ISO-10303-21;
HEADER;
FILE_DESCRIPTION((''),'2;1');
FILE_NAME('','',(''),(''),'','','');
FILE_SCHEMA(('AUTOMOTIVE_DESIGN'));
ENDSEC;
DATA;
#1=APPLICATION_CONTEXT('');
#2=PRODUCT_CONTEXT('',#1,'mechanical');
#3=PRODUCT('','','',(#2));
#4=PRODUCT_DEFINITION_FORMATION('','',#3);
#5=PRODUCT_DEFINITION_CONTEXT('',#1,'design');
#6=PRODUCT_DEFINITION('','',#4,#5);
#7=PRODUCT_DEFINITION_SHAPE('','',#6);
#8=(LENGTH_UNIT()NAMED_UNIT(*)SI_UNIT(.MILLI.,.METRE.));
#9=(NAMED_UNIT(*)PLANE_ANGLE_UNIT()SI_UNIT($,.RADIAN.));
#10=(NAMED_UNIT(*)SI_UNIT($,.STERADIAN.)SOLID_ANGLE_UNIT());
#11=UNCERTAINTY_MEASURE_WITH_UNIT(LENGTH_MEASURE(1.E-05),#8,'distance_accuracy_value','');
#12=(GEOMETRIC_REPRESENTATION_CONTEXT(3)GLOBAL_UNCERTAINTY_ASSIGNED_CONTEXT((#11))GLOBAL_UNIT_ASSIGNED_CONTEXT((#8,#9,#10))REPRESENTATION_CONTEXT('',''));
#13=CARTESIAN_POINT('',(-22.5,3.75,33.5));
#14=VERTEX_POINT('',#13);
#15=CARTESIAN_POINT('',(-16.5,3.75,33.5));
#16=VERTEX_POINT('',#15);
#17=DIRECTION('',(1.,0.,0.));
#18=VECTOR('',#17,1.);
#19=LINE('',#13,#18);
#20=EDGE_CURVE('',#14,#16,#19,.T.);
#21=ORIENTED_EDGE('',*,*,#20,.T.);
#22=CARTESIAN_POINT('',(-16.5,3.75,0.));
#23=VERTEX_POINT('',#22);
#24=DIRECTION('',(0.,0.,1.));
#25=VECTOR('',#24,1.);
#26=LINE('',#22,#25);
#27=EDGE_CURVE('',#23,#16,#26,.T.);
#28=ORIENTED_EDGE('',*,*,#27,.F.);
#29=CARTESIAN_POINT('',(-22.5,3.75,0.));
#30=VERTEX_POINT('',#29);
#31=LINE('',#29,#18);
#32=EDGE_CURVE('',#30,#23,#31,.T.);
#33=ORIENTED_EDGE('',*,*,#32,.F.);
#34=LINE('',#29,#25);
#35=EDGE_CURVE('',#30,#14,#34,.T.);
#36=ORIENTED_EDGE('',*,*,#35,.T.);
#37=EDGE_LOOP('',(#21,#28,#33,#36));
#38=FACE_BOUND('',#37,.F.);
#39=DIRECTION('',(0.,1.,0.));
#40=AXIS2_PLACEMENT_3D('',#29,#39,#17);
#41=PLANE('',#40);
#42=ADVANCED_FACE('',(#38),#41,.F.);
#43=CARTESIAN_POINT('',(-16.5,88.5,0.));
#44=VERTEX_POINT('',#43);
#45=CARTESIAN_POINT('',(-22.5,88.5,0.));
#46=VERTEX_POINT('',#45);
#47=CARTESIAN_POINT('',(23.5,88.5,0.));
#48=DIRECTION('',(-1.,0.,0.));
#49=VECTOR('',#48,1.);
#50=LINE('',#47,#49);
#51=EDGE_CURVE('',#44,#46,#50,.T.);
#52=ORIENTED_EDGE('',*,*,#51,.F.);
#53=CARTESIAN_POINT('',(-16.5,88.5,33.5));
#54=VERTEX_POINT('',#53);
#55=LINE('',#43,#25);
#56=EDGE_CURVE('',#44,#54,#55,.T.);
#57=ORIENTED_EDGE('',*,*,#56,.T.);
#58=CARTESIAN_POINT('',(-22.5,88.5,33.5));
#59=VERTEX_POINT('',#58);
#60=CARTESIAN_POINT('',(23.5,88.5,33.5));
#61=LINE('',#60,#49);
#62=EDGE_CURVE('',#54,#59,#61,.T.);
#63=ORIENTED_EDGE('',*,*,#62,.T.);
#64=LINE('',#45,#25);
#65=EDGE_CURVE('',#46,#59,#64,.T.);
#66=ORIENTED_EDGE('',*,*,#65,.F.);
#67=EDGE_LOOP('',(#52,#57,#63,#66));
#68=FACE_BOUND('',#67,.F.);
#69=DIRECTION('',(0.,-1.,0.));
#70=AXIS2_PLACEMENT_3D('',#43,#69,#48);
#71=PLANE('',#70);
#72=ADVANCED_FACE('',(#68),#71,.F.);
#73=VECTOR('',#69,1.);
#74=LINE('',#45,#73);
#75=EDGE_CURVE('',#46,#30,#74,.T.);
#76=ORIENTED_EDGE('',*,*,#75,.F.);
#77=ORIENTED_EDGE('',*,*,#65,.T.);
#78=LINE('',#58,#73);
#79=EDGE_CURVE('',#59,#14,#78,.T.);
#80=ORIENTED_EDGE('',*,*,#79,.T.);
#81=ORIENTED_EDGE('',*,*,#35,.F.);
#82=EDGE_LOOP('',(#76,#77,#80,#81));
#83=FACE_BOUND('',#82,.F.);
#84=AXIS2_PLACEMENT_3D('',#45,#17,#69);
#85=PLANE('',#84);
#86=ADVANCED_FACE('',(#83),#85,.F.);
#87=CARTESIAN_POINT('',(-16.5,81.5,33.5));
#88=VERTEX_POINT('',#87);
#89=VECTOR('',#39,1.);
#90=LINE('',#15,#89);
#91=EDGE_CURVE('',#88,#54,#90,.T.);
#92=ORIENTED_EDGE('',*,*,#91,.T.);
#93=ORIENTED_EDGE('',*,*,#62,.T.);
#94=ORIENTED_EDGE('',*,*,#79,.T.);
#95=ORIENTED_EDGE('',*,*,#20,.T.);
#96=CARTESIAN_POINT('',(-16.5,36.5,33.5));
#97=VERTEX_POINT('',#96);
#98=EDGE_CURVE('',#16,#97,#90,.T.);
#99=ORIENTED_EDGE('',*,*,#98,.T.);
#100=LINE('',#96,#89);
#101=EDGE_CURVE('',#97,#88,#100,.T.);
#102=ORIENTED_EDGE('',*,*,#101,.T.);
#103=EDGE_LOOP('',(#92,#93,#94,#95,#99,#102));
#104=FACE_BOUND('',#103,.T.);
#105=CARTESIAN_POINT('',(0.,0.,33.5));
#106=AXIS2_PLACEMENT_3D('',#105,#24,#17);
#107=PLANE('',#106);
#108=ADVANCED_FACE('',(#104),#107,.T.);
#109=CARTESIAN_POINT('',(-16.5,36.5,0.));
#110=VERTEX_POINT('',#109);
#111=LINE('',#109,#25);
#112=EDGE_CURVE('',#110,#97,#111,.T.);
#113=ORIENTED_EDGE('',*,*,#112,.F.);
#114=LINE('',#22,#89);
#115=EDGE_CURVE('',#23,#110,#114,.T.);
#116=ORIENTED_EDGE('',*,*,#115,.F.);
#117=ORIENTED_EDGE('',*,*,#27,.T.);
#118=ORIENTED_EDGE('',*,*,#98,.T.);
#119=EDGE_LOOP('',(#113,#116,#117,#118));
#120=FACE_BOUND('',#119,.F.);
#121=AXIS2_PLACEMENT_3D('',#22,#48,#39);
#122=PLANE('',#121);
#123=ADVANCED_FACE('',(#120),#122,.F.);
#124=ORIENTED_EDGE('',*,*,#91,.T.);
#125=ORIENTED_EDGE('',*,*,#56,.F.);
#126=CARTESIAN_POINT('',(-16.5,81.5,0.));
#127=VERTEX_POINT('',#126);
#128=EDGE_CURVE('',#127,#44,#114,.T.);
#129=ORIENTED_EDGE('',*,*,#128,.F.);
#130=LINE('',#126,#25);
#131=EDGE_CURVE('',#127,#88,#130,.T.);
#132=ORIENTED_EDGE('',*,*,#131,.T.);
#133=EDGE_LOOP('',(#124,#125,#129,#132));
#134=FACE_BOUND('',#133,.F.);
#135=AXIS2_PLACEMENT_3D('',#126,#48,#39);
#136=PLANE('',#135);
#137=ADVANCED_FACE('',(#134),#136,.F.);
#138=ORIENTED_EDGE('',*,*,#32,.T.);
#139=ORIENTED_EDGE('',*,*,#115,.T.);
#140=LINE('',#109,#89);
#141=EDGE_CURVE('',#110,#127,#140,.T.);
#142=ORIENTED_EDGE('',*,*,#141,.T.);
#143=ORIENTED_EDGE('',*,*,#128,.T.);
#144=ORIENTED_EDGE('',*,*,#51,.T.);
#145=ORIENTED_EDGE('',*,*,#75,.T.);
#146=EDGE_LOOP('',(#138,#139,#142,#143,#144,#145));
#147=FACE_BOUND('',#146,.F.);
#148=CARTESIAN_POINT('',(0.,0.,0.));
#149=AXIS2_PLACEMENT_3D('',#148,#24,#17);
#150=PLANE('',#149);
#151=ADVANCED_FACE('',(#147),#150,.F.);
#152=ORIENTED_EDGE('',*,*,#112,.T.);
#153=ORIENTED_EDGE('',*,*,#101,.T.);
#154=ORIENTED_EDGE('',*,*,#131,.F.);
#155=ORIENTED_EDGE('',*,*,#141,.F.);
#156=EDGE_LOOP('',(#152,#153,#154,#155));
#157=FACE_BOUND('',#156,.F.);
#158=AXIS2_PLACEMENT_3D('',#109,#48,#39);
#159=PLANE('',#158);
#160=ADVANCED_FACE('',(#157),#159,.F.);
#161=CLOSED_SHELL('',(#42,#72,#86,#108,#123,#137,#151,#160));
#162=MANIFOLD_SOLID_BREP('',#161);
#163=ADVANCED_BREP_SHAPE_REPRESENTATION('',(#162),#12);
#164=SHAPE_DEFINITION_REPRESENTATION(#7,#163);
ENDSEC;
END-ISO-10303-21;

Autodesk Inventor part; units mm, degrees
ref_plane "YZ Plane" through (0, 0, 0) normal (1, 0, 0) x (0, 1, 0)
ref_plane "XZ Plane" through (0, 0, 0) normal (0, 1, 0) x (-1, 0, 0)
ref_plane "Work Plane1" through (0, 0, 0) normal (0, 0, 1) x (1, 0, 0)
sketch "Sketch1" plane through (0, 0, 0) normal (0, 0, 1) x (1, 0, 0)
  line L0 (23.5, 88.5) -> (-23.5, 88.5) projected
  line L1 (-23.5, 88.5) -> (-23.5, 36.5) projected
  line L2 (-26.5, 33.5) -> (-89, 33.5) projected
  line L3 (-89, 33.5) -> (-89, -72.5) projected
  line L4 (-89, -72.5) -> (-77, -72.5) projected
  line L5 (-74, -75.5) -> (-74, -93.5) projected
  line L6 (-74, -93.5) -> (74, -93.5) projected
  line L7 (74, -93.5) -> (74, -75.5) projected
  line L8 (77, -72.5) -> (89, -72.5) projected
  line L9 (89, -72.5) -> (89, 33.5) projected
  line L10 (89, 33.5) -> (26.5, 33.5) projected
  line L11 (23.5, 36.5) -> (23.5, 88.5) projected
  line L12 (-4.5, 81.5) -> (-4.5, 36.5) projected
  line L13 (-7.5, 33.5) -> (-13.5, 33.5) projected
  line L14 (-16.5, 36.5) -> (-16.5, 81.5) projected
  line L15 (-13.5, 84.5) -> (-7.5, 84.5) projected
  line L16 (16.5, 81.5) -> (16.5, 36.5) projected
  line L17 (13.5, 33.5) -> (7.5, 33.5) projected
  line L18 (4.5, 36.5) -> (4.5, 81.5) projected
  line L19 (7.5, 84.5) -> (13.5, 84.5) projected
  line L20 (-16.5, 88.5) -> (-22.5, 88.5)
  line L21 (-22.5, 88.5) -> (-22.5, 3.75)
  line L22 (-22.5, 3.75) -> (-16.5, 3.75)
  line L23 (-16.5, 3.75) -> (-16.5, 88.5)
  line L24 (-32.2, 4.75) -> (-59.9, 4.75)
  arc A0 (13.5, 33.5) -> (16.5, 36.5) centre (13.5, 36.5) ccw projected
  arc A1 (4.5, 36.5) -> (7.5, 33.5) centre (7.5, 36.5) ccw projected
  arc A2 (7.5, 84.5) -> (4.5, 81.5) centre (7.5, 81.5) ccw projected
  arc A3 (16.5, 81.5) -> (13.5, 84.5) centre (13.5, 81.5) ccw projected
  arc A4 (-4.5, 81.5) -> (-7.5, 84.5) centre (-7.5, 81.5) ccw projected
  arc A5 (-7.5, 33.5) -> (-4.5, 36.5) centre (-7.5, 36.5) ccw projected
  arc A6 (-16.5, 36.5) -> (-13.5, 33.5) centre (-13.5, 36.5) ccw projected
  arc A7 (-13.5, 84.5) -> (-16.5, 81.5) centre (-13.5, 81.5) ccw projected
  arc A8 (-26.5, 33.5) -> (-23.5, 36.5) centre (-26.5, 36.5) ccw projected
  arc A9 (-74, -75.5) -> (-77, -72.5) centre (-77, -75.5) ccw projected
  arc A10 (77, -72.5) -> (74, -75.5) centre (77, -75.5) ccw projected
  arc A11 (23.5, 36.5) -> (26.5, 33.5) centre (26.5, 36.5) ccw projected
  point P0 (0, 0)
  point P1 (-16.5, 36.5)
  point P2 (-16.5, 81.5)
  dimension "d0" = 1
  dimension "d2" = 1
ref_plane "Work Plane2" through (-89, -40.3889, 33.5) normal (0, 0, 1) x (1, 0, 0)
extrude "Extrusion1" add sketch "Sketch1" along normal up to surface (33.5 mm away) contours L23 L14 L22 L21 L0
properties part number "right_gear_holder"
